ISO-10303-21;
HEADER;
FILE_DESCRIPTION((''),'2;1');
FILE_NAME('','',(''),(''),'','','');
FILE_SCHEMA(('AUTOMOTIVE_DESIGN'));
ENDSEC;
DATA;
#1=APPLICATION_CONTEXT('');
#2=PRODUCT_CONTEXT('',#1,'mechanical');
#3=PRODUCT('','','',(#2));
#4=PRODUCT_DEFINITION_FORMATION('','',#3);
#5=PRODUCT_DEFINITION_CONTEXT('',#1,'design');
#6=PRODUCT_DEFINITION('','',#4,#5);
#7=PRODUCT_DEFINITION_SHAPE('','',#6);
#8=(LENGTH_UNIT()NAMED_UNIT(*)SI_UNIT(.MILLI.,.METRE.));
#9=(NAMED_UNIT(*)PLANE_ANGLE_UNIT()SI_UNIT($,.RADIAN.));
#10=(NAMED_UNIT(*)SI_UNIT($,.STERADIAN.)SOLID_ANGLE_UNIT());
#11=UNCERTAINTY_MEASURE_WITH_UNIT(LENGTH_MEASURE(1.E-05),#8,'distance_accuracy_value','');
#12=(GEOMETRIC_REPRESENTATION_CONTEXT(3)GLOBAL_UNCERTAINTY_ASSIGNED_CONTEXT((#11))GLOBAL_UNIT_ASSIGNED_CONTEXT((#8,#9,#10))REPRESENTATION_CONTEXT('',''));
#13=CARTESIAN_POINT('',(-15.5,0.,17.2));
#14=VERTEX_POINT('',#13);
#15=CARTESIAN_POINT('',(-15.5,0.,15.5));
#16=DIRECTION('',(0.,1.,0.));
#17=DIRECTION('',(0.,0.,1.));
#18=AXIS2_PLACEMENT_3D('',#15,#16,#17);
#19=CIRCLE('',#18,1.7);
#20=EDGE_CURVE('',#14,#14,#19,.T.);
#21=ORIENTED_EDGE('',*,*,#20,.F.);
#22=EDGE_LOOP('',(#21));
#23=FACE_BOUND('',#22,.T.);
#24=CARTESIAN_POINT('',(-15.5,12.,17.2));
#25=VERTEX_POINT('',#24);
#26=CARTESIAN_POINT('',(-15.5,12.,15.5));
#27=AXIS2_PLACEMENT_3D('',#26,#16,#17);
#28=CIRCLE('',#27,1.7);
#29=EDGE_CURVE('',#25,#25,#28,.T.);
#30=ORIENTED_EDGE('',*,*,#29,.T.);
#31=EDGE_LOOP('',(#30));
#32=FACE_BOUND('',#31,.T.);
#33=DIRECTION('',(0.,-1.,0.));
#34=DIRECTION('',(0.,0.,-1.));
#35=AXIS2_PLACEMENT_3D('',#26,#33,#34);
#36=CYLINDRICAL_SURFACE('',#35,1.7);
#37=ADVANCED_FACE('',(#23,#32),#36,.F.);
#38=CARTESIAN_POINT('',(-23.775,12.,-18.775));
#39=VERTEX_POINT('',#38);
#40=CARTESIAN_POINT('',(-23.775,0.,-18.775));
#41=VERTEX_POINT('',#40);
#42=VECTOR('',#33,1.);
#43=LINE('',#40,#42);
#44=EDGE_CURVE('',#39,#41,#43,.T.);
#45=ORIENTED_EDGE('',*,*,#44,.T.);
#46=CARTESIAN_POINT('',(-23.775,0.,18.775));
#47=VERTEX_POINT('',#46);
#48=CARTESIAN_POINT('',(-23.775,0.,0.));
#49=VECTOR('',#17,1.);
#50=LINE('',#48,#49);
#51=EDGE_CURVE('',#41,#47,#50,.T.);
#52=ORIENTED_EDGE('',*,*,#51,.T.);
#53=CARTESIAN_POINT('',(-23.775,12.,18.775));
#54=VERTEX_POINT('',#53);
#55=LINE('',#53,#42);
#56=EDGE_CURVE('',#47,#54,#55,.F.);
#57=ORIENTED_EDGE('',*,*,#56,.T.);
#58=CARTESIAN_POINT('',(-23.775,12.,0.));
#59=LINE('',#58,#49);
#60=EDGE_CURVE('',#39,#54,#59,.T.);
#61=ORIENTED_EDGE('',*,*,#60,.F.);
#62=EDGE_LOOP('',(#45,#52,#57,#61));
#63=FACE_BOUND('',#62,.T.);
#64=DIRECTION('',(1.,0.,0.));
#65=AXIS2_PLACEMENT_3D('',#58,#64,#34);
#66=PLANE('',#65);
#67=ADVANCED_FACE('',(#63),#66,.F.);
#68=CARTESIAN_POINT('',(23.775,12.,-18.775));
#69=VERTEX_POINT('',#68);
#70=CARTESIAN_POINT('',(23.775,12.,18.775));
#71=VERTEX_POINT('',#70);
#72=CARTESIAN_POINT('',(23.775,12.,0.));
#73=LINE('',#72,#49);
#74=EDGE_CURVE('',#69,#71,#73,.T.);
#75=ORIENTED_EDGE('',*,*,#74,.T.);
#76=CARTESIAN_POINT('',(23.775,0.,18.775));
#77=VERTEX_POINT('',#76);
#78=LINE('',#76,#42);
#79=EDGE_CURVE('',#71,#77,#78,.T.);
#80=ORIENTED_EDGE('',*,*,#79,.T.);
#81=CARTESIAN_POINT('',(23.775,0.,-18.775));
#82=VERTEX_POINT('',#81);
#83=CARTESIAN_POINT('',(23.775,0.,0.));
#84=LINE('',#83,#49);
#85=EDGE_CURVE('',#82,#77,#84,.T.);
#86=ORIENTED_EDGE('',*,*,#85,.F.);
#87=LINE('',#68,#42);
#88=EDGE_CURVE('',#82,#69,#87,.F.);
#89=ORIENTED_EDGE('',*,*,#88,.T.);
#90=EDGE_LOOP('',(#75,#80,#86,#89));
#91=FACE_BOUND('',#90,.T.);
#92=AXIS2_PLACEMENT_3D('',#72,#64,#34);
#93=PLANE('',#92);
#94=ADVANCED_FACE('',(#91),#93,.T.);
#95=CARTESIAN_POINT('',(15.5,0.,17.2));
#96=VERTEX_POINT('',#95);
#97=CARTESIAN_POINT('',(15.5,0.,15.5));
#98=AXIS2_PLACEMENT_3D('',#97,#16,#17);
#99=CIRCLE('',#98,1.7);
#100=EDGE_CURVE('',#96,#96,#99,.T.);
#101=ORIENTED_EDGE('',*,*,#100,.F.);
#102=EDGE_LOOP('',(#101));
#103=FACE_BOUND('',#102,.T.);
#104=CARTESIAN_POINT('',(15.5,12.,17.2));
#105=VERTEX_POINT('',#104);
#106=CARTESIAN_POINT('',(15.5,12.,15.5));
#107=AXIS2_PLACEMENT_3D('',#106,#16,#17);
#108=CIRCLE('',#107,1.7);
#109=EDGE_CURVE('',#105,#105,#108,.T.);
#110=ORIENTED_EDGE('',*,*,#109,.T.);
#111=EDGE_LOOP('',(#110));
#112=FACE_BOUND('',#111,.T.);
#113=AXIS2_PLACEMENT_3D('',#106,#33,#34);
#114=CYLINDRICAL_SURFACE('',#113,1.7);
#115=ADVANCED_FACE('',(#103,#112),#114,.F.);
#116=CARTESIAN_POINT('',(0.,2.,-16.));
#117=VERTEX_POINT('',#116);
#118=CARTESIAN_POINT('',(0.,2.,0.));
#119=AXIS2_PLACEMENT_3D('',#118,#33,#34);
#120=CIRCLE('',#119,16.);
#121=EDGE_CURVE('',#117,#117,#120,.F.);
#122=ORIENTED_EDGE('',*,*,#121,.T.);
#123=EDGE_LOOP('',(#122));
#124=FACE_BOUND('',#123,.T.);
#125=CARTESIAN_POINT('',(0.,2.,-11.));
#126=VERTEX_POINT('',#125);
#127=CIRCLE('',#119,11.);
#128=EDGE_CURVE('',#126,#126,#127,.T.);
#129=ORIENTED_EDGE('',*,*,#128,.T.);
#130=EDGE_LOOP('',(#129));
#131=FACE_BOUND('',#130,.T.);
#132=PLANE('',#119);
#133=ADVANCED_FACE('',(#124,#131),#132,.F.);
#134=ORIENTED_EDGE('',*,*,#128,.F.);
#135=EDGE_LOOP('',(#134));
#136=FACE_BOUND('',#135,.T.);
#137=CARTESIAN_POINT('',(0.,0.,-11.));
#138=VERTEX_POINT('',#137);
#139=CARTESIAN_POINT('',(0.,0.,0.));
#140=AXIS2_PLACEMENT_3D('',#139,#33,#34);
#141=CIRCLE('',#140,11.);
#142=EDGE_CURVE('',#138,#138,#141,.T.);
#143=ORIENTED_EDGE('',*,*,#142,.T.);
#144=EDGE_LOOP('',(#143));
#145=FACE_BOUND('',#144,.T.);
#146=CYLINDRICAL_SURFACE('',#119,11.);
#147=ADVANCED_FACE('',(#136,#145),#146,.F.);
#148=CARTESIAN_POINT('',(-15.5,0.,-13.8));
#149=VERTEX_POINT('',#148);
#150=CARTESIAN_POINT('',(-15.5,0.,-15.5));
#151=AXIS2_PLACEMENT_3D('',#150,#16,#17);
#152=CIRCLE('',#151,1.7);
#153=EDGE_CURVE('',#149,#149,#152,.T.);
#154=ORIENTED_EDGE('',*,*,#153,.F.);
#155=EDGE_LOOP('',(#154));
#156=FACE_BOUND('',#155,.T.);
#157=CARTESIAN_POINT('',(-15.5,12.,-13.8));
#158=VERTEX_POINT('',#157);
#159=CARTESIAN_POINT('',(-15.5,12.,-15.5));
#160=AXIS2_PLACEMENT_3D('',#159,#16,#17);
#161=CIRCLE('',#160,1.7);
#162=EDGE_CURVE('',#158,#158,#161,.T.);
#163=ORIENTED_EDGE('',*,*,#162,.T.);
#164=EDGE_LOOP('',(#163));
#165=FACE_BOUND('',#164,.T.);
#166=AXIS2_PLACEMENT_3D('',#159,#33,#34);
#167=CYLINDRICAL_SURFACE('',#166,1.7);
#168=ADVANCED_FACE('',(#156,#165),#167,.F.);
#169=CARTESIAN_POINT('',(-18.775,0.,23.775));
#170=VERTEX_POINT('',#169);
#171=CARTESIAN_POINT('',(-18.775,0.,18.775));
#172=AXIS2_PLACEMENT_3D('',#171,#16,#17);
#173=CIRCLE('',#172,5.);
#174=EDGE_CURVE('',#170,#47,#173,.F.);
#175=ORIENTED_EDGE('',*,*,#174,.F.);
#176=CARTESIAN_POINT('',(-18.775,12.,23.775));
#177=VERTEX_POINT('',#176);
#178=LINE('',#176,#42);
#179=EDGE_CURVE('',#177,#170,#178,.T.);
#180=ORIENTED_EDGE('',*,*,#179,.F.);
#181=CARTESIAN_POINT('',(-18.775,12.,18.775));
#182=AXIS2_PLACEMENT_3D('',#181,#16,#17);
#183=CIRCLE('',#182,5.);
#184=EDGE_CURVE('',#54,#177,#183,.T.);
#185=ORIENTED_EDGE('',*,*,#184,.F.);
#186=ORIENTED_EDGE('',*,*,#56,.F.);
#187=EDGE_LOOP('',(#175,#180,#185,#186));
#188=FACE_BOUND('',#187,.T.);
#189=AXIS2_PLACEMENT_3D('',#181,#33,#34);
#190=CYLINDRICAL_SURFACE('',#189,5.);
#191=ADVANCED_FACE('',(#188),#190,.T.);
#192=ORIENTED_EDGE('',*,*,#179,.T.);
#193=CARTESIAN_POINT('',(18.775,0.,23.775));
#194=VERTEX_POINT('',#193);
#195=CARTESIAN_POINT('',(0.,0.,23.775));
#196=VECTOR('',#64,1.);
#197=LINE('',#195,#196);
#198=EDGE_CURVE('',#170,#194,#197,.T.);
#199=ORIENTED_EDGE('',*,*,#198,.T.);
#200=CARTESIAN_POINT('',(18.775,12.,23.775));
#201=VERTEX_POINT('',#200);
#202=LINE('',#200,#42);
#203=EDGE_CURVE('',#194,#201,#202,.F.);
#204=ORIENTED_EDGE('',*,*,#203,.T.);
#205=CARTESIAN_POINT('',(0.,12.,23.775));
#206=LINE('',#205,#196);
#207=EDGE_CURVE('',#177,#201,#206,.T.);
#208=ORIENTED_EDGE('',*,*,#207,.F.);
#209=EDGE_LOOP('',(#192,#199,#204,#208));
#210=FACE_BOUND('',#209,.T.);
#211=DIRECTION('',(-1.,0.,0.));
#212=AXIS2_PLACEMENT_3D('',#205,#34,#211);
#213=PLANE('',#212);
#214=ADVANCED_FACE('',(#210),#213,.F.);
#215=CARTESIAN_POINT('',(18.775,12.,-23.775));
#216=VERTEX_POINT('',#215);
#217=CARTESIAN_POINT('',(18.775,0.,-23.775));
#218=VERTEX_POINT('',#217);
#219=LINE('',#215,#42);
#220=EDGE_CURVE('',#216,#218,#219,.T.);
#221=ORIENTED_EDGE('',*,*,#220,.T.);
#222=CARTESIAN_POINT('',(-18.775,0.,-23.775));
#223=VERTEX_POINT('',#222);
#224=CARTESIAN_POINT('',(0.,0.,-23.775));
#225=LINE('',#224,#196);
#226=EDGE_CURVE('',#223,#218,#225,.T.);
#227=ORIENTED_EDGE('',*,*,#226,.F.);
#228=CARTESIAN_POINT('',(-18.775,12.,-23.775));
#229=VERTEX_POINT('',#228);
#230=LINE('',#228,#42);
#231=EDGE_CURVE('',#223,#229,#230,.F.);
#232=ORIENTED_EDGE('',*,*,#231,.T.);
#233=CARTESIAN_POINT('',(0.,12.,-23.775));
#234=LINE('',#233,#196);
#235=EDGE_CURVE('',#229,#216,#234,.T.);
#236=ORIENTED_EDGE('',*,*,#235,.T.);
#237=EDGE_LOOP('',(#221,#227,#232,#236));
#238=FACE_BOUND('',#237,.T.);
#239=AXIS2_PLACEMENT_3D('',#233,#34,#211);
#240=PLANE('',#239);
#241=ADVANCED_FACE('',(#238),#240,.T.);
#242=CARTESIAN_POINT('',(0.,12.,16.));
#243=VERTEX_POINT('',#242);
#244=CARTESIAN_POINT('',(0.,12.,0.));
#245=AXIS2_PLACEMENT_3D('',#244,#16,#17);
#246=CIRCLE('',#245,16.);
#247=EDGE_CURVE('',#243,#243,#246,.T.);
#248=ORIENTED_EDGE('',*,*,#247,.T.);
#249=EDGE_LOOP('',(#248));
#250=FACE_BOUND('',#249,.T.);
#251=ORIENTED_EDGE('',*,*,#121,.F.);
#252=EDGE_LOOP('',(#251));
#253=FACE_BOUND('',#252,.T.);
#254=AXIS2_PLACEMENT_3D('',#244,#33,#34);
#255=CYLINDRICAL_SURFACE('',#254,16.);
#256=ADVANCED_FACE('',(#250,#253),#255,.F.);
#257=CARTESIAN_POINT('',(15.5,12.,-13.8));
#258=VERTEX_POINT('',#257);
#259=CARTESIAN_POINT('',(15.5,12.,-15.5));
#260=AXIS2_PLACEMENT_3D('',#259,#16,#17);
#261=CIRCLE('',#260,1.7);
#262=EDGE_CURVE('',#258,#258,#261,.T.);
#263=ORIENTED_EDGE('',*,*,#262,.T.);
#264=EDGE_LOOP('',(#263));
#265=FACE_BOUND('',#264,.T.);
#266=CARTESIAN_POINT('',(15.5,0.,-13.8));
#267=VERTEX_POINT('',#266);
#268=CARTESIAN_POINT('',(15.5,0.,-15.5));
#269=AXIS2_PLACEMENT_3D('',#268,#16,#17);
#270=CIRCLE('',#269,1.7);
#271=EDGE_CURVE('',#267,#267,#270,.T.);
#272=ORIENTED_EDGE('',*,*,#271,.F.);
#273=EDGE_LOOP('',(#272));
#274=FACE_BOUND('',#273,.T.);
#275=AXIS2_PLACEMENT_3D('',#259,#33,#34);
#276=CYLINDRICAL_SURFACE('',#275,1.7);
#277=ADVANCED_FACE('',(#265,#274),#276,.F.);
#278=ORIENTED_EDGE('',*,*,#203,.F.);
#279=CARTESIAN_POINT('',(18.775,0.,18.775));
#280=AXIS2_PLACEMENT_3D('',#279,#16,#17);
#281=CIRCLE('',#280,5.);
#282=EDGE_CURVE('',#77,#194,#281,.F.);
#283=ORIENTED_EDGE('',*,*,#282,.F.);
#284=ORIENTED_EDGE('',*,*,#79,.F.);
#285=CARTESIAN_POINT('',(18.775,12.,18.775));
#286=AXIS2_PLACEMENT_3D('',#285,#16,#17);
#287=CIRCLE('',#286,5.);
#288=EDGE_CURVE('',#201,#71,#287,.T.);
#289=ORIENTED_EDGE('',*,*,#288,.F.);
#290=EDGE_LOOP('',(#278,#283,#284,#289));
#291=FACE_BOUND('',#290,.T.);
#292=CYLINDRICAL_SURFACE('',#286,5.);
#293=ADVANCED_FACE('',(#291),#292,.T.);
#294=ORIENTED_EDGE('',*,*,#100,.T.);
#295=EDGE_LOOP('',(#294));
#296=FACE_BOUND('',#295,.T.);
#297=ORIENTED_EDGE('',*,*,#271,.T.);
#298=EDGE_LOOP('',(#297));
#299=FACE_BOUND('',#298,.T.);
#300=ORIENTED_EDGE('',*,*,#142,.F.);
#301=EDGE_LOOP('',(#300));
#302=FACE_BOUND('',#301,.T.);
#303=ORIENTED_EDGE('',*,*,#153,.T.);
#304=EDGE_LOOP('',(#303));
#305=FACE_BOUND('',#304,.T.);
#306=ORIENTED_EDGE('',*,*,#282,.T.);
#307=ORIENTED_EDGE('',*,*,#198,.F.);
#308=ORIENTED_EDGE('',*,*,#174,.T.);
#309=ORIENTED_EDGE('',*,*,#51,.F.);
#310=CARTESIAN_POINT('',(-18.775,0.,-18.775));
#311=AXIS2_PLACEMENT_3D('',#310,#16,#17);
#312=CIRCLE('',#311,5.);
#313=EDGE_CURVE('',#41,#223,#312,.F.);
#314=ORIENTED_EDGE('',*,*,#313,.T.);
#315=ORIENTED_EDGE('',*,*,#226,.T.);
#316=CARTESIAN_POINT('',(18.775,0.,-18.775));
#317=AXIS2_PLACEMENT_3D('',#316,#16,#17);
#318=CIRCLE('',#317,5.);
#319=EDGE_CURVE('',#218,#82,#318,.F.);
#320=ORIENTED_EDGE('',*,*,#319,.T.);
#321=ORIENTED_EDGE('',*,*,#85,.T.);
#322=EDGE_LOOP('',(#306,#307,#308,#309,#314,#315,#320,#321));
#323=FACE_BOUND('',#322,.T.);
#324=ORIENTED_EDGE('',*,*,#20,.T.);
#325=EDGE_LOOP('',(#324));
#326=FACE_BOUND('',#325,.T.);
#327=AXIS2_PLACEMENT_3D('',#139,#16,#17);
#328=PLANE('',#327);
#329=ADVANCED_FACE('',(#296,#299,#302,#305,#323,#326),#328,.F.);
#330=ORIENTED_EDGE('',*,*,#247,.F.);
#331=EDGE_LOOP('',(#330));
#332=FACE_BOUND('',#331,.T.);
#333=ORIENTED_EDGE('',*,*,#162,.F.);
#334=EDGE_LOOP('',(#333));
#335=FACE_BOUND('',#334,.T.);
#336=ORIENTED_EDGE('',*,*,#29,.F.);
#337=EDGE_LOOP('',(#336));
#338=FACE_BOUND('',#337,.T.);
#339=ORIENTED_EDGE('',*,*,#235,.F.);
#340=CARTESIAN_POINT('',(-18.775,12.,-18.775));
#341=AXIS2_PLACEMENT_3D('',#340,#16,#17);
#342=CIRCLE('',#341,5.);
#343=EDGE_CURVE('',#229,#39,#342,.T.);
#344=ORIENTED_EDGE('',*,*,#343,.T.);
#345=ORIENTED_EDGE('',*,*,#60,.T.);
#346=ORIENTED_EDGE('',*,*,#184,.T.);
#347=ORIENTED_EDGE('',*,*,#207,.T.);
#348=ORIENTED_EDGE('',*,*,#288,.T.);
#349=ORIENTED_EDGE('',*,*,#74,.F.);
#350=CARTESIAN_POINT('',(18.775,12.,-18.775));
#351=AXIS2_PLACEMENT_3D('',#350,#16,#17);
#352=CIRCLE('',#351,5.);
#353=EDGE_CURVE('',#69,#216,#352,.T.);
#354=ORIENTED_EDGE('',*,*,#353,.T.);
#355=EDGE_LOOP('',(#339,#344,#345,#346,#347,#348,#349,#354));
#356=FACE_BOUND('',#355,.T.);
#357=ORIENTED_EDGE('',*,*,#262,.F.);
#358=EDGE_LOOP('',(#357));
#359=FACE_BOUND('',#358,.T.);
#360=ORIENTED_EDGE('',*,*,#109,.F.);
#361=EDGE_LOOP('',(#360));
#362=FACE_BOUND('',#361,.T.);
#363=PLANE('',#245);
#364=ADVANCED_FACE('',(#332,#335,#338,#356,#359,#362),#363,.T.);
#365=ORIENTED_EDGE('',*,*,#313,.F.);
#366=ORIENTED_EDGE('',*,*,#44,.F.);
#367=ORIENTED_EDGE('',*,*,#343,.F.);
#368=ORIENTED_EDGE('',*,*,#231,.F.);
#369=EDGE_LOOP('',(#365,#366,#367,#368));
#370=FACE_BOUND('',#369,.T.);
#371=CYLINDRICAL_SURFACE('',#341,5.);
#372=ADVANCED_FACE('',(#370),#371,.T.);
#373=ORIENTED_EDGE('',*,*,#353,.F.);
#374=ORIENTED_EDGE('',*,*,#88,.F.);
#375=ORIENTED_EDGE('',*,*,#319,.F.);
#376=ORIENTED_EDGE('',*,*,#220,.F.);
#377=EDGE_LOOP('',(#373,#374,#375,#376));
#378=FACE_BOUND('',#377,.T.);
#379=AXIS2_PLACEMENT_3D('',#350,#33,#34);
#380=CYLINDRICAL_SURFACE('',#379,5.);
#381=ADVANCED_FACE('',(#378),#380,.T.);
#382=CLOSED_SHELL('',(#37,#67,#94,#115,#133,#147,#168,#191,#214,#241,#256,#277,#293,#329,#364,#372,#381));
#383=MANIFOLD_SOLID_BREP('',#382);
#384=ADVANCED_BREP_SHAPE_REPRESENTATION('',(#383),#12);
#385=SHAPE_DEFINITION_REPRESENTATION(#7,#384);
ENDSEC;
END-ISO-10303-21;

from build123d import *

# Parameters (mm, degrees)
SKETCH1_W           = 47.55
SKETCH1_H           = 47.55
SKETCH1_R           = 1.7
SKETCH1_R_2         = 16
BOSS_EXTRUDE1_DEPTH = 12
SKETCH2_R           = 16
SKETCH2_R_2         = 11
BOSS_EXTRUDE2_DEPTH = 2
FILLET1_R           = 5


with BuildPart() as part:
    # Sketch1 → Boss-Extrude1 (new body)
    with BuildSketch(Plane(origin=(0, 0, 0), x_dir=(1, 0, 0), z_dir=(0, 1, 0))):
        Rectangle(SKETCH1_W, SKETCH1_H)
        with Locations(Location((-15.5, 15.5, 0), (0, 0, 270))):
            Circle(SKETCH1_R, mode=Mode.SUBTRACT)
        with Locations(Location((15.5, 15.5, 0), (0, 0, 270))):
            Circle(SKETCH1_R, mode=Mode.SUBTRACT)
        with Locations(Location((15.5, -15.5, 0), (0, 0, 270))):
            Circle(SKETCH1_R, mode=Mode.SUBTRACT)
        with Locations(Location((-15.5, -15.5, 0), (0, 0, 270))):
            Circle(SKETCH1_R, mode=Mode.SUBTRACT)
        with Locations(Location((0, 0, 0), (0, 0, 270))):
            Circle(SKETCH1_R_2, mode=Mode.SUBTRACT)
    extrude(amount=BOSS_EXTRUDE1_DEPTH)

    # Sketch2 → Boss-Extrude2 (add)
    with BuildSketch(Plane.XZ):
        with Locations(Location((0, 0, 0), (0, 0, 270))):
            Circle(SKETCH2_R)
        with Locations(Location((0, 0, 0), (0, 0, 270))):
            Circle(SKETCH2_R_2, mode=Mode.SUBTRACT)
    extrude(amount=-BOSS_EXTRUDE2_DEPTH)

    # Fillet1
    fillet1_edges = [part.edges().sort_by_distance(p)[0] for p in [
        (23.775, 6, 23.775),
        (-23.775, 6, 23.775),
        (-23.775, 6, -23.775),
        (23.775, 6, -23.775),
    ]]
    fillet(fillet1_edges, radius=FILLET1_R)


solid = part.part
